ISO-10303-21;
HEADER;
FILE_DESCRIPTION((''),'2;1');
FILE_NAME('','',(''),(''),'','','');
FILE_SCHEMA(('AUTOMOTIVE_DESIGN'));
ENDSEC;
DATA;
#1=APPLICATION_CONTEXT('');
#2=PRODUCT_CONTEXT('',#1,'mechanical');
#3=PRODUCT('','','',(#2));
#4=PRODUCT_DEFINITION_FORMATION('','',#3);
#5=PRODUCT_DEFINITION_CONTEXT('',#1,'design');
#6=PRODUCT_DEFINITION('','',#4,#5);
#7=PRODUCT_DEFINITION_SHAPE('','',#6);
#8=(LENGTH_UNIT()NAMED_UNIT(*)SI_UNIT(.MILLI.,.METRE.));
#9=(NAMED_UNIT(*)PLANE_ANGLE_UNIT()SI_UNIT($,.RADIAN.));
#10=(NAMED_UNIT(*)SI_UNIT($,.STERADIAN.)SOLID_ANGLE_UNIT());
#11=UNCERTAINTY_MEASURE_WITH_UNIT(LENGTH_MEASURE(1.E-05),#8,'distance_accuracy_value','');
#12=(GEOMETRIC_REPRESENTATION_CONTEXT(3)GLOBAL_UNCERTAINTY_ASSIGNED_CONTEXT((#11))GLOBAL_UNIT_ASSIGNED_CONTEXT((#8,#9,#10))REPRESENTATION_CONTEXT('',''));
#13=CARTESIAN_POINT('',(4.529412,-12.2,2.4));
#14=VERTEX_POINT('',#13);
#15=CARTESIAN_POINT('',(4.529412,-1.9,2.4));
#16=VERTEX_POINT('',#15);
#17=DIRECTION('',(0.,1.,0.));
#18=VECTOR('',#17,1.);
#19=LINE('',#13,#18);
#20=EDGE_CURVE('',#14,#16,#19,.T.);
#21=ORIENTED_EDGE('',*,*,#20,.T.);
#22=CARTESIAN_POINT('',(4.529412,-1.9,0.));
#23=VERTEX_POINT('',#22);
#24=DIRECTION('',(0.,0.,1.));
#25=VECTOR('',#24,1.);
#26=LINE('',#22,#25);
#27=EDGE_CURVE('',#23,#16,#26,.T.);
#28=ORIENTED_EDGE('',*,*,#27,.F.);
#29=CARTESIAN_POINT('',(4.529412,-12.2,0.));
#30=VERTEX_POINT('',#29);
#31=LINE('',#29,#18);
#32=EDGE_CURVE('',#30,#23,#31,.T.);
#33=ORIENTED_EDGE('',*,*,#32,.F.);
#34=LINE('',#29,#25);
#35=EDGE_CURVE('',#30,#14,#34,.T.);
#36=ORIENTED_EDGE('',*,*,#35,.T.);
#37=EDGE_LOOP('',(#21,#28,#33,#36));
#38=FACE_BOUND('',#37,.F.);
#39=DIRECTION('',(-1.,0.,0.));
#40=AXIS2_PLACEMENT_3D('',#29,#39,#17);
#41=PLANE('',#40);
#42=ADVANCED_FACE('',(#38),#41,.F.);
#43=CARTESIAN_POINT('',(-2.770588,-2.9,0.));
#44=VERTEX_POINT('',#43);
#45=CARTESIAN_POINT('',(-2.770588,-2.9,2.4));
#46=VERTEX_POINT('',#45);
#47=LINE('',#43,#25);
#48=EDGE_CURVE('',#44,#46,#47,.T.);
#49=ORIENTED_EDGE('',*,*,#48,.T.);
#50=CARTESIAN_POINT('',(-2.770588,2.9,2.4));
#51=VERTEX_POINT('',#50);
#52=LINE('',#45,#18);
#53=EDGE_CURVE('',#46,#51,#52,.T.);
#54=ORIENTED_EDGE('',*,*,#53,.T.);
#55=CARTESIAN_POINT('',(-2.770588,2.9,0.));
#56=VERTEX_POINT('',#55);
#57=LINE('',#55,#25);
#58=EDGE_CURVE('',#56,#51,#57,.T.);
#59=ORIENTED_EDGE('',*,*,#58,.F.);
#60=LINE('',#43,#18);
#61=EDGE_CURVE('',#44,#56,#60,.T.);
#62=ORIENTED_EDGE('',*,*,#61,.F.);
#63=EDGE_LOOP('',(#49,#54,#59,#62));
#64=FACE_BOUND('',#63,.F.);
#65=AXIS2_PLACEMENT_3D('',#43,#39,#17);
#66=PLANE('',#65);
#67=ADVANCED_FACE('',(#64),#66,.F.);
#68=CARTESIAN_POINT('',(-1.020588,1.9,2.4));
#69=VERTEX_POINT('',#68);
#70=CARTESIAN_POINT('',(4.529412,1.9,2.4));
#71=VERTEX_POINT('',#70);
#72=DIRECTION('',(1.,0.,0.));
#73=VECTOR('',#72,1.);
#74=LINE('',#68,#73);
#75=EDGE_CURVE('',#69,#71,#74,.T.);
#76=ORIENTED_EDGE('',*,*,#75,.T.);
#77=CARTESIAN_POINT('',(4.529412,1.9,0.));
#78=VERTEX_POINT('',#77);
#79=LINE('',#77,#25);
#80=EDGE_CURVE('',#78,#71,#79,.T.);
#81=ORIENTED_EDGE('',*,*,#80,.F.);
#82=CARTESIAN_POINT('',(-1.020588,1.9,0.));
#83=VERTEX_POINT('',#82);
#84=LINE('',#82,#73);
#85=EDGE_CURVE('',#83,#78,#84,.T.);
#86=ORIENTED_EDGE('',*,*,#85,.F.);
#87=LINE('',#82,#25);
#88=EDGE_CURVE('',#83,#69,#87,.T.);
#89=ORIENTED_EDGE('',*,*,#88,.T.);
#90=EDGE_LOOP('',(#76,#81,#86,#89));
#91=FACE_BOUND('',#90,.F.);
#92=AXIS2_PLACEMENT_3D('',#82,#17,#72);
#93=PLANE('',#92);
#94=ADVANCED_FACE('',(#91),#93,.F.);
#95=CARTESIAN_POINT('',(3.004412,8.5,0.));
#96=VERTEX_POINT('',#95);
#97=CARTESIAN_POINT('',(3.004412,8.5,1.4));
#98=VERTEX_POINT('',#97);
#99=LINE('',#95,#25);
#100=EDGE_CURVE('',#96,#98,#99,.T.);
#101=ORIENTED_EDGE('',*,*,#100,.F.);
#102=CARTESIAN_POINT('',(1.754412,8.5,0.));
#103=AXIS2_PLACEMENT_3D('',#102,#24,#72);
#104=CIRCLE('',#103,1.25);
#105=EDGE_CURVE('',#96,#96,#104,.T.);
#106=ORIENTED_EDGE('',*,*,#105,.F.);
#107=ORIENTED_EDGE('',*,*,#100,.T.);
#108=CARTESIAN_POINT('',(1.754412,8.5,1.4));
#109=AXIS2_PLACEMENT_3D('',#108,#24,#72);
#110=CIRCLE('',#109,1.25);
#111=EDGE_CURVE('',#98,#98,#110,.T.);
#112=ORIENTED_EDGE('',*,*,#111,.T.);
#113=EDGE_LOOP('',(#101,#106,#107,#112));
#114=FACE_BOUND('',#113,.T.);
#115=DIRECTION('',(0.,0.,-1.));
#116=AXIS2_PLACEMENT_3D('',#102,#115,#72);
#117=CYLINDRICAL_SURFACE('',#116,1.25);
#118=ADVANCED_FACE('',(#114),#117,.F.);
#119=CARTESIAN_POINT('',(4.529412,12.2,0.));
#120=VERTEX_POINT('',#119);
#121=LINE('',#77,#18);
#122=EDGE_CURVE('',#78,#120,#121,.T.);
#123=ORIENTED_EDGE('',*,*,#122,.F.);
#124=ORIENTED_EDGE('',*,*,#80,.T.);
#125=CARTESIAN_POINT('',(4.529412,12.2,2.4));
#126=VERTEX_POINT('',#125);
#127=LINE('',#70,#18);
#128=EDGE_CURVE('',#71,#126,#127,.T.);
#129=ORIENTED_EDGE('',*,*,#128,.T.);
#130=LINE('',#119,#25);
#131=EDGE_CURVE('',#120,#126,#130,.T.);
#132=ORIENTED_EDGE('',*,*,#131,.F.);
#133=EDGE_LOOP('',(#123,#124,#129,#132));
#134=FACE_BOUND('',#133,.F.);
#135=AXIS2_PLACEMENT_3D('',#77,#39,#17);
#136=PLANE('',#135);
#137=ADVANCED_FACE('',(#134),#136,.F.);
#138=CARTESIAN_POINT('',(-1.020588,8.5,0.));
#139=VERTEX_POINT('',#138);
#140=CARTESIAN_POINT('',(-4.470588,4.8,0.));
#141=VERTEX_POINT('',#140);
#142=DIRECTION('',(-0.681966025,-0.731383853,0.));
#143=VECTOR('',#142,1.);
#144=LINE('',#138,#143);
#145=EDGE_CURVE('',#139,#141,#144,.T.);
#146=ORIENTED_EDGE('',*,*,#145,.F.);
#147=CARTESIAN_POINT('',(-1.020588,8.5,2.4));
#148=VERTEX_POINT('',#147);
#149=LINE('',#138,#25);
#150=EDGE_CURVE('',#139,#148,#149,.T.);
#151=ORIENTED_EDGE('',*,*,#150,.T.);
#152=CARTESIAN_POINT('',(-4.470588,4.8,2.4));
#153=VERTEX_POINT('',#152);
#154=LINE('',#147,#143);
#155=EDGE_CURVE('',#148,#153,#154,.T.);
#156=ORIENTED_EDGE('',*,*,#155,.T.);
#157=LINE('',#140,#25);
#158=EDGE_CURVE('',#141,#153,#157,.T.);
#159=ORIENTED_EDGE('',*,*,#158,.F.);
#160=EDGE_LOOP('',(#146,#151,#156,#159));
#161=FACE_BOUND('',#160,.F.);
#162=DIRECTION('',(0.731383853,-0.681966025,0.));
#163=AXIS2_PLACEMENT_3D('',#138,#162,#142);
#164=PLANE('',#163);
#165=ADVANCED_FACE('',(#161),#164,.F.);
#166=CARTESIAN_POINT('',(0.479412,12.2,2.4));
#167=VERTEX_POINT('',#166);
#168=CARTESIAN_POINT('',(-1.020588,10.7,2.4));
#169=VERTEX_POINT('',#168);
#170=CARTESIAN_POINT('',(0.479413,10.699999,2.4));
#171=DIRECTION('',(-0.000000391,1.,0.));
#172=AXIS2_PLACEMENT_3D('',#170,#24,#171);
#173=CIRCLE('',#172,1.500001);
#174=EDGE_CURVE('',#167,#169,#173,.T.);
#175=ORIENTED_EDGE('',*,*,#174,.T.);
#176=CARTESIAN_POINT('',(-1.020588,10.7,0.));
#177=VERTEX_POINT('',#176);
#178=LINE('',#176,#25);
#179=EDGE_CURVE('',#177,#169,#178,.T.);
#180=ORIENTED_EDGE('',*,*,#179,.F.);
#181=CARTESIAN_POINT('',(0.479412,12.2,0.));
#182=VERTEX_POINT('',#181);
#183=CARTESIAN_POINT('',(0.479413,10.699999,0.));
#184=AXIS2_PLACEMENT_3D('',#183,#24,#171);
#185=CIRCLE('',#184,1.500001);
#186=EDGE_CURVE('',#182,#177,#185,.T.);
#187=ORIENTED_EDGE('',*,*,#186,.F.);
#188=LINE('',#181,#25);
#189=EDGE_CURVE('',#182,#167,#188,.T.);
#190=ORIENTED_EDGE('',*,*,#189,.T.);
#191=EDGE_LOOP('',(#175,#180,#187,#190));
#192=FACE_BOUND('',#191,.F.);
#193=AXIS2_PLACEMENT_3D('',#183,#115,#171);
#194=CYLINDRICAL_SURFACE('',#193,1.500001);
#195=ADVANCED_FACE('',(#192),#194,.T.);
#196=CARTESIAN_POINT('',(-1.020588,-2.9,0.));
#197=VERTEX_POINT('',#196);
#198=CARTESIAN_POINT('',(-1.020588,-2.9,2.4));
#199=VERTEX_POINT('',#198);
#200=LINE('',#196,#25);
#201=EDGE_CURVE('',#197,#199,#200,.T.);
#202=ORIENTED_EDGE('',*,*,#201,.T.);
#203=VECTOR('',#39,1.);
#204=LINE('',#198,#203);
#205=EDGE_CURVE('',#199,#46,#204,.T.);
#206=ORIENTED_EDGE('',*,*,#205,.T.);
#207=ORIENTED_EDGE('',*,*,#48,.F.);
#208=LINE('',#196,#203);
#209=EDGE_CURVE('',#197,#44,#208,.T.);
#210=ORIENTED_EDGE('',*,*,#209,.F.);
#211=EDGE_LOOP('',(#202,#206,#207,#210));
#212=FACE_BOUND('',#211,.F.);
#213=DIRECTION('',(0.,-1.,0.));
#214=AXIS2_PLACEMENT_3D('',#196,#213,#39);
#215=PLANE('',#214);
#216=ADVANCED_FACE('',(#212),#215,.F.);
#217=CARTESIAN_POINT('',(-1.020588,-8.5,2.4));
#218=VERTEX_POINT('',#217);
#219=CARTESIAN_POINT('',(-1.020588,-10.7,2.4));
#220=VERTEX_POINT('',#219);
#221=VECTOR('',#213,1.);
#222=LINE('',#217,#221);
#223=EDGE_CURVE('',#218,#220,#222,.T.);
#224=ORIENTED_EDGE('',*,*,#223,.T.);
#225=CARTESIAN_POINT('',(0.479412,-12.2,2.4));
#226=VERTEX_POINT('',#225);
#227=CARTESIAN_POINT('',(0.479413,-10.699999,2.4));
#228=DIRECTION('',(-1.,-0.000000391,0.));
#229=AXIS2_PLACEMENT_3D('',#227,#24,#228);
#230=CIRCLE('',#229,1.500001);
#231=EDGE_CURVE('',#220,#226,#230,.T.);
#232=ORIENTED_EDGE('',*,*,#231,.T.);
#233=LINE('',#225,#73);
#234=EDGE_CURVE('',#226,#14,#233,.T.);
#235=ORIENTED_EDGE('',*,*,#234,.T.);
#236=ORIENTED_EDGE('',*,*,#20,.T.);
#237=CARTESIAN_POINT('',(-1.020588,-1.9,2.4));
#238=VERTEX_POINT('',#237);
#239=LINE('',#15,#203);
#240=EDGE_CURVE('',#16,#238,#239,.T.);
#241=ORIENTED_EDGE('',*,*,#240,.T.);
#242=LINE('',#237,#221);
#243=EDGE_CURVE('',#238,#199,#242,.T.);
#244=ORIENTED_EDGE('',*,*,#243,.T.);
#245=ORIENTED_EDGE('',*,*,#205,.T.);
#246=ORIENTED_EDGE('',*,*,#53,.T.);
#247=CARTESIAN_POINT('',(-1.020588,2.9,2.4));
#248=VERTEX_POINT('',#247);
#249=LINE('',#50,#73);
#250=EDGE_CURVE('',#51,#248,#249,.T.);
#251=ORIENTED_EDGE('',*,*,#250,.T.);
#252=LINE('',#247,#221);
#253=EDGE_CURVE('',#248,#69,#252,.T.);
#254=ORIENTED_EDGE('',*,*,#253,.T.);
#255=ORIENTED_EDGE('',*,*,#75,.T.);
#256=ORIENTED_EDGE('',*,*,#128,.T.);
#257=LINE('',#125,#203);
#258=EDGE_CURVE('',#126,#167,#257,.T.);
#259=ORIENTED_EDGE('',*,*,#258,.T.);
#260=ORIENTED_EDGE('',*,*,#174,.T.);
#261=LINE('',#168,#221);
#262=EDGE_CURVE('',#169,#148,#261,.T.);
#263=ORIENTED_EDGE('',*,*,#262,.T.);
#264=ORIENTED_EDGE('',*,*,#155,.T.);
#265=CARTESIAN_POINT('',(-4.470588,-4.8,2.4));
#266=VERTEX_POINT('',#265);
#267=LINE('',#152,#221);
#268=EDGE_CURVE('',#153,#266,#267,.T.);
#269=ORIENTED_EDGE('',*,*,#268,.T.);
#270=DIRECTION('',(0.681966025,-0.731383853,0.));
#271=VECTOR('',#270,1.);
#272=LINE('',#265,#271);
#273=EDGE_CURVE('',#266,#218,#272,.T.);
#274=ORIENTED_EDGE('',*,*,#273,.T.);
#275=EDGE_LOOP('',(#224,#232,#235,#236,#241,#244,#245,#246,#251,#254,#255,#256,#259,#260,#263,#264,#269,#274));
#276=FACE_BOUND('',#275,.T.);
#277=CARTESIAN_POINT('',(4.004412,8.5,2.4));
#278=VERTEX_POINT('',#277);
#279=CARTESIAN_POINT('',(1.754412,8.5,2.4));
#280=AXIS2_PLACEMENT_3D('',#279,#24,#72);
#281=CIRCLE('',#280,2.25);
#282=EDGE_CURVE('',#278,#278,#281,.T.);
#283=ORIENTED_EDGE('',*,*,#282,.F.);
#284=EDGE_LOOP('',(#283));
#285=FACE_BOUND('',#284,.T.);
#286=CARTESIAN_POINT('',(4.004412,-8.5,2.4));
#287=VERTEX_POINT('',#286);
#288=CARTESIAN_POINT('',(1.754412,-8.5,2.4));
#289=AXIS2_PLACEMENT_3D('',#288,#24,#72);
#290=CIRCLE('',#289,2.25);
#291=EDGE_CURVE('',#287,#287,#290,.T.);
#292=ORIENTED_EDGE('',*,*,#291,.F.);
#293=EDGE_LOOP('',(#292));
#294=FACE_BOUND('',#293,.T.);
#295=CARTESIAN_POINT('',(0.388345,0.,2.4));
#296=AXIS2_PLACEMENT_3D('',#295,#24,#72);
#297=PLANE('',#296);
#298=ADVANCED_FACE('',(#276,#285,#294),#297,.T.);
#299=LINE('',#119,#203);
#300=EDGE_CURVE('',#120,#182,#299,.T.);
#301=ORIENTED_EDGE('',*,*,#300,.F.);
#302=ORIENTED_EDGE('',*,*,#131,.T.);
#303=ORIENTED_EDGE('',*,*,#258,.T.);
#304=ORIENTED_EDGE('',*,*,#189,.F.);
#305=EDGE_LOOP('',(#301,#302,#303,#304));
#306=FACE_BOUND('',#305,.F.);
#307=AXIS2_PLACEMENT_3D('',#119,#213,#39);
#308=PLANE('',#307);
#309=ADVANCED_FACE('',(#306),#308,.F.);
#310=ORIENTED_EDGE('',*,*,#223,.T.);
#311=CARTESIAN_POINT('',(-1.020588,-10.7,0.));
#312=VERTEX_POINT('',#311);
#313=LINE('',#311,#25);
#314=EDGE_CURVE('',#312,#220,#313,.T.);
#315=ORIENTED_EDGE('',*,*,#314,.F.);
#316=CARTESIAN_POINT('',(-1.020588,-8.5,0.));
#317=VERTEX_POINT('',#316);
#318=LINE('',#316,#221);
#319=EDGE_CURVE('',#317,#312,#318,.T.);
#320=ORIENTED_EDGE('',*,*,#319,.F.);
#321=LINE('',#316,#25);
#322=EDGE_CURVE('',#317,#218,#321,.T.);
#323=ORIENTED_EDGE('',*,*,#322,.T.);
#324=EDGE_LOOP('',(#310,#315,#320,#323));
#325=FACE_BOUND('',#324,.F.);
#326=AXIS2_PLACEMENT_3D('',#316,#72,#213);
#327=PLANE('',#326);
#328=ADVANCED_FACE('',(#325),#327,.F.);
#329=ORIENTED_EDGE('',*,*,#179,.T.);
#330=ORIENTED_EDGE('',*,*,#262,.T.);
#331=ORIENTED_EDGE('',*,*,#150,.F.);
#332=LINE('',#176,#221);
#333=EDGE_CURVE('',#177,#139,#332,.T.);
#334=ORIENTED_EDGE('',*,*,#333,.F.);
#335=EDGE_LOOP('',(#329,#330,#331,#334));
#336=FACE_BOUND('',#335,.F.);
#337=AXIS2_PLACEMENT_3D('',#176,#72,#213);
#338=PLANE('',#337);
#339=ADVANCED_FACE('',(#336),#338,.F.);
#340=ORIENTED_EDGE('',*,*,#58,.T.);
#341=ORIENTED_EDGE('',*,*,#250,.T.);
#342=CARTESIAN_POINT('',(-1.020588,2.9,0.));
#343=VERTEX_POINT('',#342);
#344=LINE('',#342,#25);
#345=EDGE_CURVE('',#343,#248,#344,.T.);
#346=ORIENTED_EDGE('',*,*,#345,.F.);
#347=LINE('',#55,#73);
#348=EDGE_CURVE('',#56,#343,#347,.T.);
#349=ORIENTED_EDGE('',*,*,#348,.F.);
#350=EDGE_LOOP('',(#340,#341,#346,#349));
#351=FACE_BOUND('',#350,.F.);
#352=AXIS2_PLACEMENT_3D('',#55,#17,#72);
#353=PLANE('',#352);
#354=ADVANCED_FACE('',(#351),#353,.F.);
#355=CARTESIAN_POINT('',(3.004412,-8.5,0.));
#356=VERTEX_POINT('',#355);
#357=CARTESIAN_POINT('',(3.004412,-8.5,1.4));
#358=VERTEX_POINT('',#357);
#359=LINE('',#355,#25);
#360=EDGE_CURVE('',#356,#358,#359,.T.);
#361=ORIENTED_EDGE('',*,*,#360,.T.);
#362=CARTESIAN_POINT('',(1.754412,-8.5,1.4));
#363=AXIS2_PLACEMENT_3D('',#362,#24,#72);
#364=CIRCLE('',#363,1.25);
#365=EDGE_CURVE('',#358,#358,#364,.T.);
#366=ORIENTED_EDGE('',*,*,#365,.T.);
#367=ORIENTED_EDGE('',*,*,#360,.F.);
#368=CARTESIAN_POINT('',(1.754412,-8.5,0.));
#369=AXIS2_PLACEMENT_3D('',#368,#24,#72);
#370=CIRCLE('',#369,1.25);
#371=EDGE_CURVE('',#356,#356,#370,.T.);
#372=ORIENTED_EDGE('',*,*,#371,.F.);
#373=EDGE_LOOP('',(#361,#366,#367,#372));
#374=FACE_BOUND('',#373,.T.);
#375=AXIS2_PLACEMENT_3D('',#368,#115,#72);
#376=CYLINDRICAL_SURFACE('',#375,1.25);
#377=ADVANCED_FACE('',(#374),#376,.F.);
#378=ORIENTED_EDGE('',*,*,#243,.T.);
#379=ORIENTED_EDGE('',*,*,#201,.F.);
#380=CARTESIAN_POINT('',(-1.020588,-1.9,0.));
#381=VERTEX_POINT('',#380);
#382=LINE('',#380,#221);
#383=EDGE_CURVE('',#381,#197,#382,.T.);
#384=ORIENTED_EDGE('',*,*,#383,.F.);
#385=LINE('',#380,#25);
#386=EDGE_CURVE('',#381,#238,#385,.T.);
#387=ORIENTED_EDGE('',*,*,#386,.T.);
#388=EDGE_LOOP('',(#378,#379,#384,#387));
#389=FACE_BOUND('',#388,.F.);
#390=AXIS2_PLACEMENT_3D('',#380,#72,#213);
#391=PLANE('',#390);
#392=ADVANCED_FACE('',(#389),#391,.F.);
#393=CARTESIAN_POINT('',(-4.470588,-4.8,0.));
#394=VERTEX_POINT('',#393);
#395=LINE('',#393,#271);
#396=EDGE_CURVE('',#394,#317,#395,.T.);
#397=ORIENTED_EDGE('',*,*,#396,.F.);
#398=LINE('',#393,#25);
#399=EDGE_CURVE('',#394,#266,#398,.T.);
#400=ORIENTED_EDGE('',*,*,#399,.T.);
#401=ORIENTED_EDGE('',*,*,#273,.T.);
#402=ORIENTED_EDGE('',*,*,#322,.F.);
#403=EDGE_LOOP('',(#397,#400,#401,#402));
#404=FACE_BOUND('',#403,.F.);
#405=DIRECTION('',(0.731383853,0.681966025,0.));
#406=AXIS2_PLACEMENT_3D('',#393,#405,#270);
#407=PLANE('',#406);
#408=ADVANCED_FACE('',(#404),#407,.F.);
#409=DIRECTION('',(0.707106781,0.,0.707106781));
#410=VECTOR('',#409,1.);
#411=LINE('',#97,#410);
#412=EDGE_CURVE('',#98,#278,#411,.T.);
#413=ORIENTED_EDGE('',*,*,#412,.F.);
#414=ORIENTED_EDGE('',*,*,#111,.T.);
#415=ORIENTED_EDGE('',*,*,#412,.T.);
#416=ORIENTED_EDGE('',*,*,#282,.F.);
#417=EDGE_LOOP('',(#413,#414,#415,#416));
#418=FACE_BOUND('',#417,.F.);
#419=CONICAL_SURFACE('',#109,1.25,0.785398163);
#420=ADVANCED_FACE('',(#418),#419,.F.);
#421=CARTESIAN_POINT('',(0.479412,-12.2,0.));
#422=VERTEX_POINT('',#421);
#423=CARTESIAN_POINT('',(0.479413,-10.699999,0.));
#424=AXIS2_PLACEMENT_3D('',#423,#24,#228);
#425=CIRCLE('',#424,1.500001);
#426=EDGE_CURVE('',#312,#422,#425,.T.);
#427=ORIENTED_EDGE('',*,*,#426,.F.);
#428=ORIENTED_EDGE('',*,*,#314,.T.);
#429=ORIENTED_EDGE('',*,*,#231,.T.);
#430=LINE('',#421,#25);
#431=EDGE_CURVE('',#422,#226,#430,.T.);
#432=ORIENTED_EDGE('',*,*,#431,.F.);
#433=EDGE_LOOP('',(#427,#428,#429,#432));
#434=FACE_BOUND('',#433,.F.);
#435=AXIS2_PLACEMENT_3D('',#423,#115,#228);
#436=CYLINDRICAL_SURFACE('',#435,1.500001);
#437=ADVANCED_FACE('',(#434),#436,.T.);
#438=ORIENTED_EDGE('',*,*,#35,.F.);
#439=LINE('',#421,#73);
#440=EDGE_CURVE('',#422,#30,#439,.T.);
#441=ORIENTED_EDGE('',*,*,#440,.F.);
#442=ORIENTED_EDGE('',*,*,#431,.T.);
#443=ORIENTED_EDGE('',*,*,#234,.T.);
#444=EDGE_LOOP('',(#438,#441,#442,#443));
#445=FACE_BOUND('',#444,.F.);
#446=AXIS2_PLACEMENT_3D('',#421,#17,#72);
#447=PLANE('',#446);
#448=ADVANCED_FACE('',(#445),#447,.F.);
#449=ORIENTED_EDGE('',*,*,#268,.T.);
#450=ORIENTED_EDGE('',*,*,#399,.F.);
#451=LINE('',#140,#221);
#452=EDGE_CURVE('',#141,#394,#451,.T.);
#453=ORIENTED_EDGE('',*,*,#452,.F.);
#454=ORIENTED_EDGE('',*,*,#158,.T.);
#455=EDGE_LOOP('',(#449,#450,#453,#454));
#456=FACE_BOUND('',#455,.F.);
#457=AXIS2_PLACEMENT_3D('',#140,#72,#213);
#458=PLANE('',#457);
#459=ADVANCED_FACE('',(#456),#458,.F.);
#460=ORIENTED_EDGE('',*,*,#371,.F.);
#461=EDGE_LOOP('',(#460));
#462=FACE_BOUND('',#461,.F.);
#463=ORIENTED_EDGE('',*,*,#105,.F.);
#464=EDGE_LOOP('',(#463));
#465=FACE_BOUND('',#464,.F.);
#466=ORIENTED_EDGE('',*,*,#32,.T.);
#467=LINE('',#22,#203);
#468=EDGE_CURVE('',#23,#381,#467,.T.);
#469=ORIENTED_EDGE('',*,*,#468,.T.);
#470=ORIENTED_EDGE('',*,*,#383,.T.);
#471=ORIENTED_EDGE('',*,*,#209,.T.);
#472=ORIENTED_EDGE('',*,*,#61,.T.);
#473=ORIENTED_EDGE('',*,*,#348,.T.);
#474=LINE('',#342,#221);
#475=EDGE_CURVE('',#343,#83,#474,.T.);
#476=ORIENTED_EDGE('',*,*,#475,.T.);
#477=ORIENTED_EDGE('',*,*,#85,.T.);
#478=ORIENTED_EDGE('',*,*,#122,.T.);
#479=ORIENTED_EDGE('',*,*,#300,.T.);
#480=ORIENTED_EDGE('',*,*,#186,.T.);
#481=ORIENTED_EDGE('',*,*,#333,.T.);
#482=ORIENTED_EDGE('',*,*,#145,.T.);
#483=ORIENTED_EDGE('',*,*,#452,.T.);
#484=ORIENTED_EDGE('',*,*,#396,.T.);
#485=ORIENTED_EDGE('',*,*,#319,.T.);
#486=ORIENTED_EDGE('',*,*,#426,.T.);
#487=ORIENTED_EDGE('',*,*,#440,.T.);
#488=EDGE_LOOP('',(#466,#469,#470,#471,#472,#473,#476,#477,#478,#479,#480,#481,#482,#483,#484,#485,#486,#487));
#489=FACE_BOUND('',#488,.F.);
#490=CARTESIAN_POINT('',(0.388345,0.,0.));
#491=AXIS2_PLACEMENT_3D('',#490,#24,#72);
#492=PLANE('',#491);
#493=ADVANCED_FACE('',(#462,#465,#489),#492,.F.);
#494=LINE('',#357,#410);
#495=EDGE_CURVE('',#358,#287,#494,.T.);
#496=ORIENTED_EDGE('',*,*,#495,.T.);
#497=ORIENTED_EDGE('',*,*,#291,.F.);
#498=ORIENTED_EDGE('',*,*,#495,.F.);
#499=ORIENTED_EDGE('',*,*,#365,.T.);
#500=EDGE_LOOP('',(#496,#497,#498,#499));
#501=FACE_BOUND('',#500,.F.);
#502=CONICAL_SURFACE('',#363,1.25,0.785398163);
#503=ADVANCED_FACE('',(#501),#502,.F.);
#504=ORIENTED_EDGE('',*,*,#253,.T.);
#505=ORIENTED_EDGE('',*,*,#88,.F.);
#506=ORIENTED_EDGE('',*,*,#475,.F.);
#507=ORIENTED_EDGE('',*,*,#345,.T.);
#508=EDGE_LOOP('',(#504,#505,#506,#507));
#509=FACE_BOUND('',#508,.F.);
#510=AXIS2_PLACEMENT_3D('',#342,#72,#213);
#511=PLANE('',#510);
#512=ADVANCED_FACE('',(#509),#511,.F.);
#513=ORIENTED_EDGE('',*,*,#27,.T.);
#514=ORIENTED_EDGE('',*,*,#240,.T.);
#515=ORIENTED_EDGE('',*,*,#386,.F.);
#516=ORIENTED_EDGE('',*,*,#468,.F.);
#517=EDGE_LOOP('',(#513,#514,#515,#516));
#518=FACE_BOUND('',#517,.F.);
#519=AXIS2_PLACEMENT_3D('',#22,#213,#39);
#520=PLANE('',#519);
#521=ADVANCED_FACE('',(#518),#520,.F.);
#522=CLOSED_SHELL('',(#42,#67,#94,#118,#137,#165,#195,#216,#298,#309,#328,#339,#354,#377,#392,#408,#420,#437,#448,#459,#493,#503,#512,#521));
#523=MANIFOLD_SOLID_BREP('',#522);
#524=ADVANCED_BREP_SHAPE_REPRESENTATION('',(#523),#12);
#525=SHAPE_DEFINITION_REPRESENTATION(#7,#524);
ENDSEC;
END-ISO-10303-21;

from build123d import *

# Parameters (mm, degrees)
F0_R     = 1.25
F1_DEPTH = 2.4
F2_SIZE  = 1


with BuildPart() as f1:
    # F0 (on Top) → F1 (new body)
    with BuildSketch(Plane.XY):
        with BuildLine():
            Line((0.479412, -12.2), (4.529412, -12.2))
            Line((4.529412, -12.2), (4.529412, -4.8))
            Line((4.529412, -4.8), (4.529412, -1.9))
            Line((4.529412, -1.9), (-1.020588, -1.9))
            Line((-1.020588, -1.9), (-1.020588, -2.9))
            Line((-1.020588, -2.9), (-2.770588, -2.9))
            Line((-2.770588, -2.9), (-2.770588, 0))
            Line((-2.770588, 0), (-2.770588, 2.9))
            Line((-2.770588, 2.9), (-1.020588, 2.9))
            Line((-1.020588, 2.9), (-1.020588, 1.9))
            Line((-1.020588, 1.9), (4.529412, 1.9))
            Line((4.529412, 1.9), (4.529412, 4.8))
            Line((4.529412, 4.8), (4.529412, 12.2))
            Line((4.529412, 12.2), (0.479412, 12.2))
            ThreePointArc((0.479412, 12.2), (-0.581248, 11.76066), (-1.020588, 10.7))
            Line((-1.020588, 10.7), (-1.020588, 8.5))
            Line((-1.020588, 8.5), (-4.470588, 4.8))
            Line((-4.470588, 4.8), (-4.470588, 0))
            Line((-4.470588, 0), (-4.470588, -4.8))
            Line((-4.470588, -4.8), (-1.020588, -8.5))
            Line((-1.020588, -8.5), (-1.020588, -10.7))
            ThreePointArc((-1.020588, -10.7), (-0.581248, -11.76066), (0.479412, -12.2))
        make_face()
        with Locations((1.754412, -8.5)):
            Circle(F0_R, mode=Mode.SUBTRACT)
        with Locations((1.754412, 8.5)):
            Circle(F0_R, mode=Mode.SUBTRACT)
    extrude(amount=F1_DEPTH)

    # F2
    f2_edges = [f1.edges().sort_by_distance(p)[0] for p in [
        (0.504412, 8.5, 2.4),
        (0.504412, -8.5, 2.4),
    ]]
    chamfer(f2_edges, length=F2_SIZE)


solid = f1.part
